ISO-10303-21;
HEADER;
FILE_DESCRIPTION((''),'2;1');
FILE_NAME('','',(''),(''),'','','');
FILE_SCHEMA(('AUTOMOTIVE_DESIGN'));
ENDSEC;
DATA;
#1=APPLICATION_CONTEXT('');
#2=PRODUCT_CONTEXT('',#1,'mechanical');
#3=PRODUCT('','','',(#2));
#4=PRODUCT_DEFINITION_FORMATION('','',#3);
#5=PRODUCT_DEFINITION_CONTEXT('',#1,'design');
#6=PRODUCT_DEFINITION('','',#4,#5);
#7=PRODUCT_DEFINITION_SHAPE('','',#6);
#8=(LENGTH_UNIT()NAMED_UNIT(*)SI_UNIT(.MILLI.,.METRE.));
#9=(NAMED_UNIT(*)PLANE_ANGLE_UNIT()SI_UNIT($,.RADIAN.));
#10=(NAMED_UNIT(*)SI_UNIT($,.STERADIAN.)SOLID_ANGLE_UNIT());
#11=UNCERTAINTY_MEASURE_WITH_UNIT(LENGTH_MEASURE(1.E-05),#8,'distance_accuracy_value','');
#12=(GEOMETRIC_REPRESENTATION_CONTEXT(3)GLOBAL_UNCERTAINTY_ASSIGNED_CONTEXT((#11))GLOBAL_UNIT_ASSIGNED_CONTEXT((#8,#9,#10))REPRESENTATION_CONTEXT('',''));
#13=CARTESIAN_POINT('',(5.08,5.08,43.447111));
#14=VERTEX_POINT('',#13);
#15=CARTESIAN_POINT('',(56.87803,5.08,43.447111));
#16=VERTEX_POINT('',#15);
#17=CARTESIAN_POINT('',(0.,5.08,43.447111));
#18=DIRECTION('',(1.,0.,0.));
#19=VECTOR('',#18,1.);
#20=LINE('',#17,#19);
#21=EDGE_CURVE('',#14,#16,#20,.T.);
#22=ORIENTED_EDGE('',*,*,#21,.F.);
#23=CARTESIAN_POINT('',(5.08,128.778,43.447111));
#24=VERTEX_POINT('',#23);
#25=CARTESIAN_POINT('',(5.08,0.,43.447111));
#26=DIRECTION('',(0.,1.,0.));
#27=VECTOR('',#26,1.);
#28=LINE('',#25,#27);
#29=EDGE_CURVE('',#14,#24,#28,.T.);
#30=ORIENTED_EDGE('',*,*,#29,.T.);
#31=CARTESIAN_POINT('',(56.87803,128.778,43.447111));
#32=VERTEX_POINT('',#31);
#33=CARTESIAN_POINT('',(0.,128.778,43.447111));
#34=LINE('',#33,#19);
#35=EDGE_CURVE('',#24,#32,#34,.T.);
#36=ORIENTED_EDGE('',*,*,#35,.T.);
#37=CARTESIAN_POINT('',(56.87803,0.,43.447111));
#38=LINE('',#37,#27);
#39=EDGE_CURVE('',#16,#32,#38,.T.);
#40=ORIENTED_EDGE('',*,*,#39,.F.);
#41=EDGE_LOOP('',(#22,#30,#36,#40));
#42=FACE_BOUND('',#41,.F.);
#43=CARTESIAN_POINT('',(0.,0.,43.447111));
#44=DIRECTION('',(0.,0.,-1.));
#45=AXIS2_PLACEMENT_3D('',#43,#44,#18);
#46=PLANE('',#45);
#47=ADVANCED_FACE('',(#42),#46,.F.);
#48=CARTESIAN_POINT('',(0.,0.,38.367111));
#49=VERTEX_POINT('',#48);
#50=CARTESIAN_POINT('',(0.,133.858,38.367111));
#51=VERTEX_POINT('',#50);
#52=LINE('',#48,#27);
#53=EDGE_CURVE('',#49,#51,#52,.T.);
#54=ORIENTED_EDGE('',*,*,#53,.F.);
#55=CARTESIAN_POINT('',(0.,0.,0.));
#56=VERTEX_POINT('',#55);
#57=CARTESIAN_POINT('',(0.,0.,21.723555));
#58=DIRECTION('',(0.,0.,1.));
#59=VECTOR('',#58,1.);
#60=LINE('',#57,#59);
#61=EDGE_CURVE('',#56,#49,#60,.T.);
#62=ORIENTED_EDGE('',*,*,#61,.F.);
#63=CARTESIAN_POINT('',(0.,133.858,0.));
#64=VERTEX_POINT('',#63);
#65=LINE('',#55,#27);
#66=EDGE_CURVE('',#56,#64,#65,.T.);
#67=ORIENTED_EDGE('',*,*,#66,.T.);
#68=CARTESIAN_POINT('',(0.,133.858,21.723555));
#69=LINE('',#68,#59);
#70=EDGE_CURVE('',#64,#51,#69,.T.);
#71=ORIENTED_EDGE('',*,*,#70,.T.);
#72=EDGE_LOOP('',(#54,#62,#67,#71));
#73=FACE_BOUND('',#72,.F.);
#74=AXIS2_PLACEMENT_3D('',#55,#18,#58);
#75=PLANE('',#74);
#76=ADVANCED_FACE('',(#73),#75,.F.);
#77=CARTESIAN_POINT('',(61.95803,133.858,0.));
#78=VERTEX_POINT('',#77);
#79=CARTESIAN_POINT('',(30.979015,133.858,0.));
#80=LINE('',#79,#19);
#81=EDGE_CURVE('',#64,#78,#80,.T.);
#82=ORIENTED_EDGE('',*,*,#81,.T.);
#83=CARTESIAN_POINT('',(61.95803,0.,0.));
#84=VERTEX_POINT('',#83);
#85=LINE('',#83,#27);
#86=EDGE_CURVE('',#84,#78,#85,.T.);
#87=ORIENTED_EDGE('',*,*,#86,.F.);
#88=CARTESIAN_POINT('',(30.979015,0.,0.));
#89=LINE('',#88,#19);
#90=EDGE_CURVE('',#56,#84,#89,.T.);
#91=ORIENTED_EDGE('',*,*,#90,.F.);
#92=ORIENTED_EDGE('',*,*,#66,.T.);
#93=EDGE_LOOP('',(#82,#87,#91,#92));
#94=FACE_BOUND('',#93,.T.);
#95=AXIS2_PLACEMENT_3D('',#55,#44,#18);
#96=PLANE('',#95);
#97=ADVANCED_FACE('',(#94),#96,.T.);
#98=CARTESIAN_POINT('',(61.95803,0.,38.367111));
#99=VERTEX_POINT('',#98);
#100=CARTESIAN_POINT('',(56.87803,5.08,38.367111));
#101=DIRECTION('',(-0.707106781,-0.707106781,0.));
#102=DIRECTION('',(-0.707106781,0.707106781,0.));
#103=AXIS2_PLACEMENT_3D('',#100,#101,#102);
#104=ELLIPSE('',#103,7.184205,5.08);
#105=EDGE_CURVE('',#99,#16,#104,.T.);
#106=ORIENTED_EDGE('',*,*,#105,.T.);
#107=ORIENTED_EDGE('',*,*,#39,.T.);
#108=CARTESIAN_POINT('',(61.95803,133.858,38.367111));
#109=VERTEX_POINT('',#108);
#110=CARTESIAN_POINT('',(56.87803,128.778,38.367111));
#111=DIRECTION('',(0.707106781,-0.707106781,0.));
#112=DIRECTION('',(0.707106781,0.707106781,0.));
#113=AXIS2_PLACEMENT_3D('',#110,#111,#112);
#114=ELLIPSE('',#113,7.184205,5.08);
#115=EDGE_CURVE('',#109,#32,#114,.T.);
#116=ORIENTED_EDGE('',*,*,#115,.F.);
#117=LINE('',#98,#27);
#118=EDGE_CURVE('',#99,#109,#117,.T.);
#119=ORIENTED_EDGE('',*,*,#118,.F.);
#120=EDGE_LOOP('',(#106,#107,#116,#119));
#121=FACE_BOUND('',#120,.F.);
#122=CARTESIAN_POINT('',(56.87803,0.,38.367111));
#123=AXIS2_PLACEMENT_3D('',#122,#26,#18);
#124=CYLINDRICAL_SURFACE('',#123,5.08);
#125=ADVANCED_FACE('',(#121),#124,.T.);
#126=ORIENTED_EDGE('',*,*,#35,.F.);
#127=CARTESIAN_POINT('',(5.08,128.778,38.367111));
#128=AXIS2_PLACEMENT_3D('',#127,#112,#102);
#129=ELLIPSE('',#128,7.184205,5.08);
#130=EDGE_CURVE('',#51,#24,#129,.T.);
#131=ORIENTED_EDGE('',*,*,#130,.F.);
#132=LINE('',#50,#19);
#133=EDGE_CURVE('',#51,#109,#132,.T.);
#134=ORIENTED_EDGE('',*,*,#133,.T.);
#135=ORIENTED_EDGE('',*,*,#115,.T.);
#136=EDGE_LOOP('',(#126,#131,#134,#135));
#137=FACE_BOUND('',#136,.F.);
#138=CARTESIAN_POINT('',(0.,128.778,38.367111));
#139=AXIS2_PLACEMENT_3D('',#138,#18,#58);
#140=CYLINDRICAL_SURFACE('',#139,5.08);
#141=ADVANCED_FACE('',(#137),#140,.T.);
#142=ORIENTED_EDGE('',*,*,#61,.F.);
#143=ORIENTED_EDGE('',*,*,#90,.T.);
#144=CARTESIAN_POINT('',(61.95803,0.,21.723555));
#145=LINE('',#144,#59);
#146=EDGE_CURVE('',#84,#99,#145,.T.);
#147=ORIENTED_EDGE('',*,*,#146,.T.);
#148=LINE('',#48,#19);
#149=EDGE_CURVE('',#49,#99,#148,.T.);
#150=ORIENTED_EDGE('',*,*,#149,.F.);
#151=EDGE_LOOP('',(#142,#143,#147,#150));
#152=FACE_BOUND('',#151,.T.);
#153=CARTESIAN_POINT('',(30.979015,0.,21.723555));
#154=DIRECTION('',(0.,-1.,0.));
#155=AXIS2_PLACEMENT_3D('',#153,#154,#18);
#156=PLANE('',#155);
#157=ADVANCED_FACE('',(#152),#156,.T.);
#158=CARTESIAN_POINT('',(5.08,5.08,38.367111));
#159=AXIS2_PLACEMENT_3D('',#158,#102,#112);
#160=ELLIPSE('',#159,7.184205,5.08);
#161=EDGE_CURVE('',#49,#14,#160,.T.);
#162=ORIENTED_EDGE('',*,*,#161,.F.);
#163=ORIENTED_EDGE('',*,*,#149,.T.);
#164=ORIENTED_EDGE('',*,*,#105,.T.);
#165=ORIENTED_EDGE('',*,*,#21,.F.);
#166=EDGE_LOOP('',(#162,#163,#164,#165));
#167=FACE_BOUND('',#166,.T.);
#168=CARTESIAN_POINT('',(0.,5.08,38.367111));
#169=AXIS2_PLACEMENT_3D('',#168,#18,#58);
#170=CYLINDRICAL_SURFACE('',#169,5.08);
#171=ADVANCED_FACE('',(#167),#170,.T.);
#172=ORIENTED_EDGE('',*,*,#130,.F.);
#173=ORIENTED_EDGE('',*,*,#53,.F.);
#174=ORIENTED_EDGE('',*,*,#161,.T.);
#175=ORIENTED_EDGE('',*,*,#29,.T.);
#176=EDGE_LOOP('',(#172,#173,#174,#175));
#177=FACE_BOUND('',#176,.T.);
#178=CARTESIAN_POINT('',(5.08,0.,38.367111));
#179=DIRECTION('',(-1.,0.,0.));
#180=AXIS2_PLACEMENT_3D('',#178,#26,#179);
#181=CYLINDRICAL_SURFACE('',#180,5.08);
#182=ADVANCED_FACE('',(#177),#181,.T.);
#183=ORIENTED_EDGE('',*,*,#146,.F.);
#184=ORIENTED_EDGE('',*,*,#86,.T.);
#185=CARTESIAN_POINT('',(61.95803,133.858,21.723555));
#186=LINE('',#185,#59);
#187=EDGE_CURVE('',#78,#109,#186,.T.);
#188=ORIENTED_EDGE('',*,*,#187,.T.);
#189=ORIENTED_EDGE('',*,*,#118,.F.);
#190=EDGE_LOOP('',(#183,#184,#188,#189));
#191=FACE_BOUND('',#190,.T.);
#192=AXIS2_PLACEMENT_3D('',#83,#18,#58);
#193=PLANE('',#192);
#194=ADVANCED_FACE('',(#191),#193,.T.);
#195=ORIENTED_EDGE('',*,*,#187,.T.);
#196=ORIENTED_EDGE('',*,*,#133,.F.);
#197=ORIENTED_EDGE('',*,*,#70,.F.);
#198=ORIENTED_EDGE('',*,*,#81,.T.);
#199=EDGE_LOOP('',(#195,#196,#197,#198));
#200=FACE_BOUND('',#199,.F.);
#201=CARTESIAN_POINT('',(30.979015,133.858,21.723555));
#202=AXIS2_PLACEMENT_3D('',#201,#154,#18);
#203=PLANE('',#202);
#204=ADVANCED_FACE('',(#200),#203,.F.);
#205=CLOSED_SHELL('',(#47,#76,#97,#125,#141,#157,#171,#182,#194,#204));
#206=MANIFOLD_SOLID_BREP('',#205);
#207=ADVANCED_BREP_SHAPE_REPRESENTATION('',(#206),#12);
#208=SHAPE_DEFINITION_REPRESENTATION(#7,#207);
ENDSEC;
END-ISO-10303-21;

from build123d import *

# Parameters (mm, degrees)
F0_W     = 61.95803
F0_H     = 43.447111
F1_DEPTH = 133.858
F2_R     = 5.08


with BuildPart() as f1:
    # F0 (on Front) → F1 (new body)
    with BuildSketch(Plane.XZ):
        with Locations((30.979015, 21.723555)):
            Rectangle(F0_W, F0_H)
    extrude(amount=-F1_DEPTH)

    # F2
    f2_edges = [f1.edges().sort_by_distance(p)[0] for p in [
        (61.95803, 66.929, 43.447111),
        (0, 66.929, 43.447111),
        (30.979015, 0, 43.447111),
        (30.979015, 133.858, 43.447111),
    ]]
    fillet(f2_edges, radius=F2_R)


solid = f1.part
